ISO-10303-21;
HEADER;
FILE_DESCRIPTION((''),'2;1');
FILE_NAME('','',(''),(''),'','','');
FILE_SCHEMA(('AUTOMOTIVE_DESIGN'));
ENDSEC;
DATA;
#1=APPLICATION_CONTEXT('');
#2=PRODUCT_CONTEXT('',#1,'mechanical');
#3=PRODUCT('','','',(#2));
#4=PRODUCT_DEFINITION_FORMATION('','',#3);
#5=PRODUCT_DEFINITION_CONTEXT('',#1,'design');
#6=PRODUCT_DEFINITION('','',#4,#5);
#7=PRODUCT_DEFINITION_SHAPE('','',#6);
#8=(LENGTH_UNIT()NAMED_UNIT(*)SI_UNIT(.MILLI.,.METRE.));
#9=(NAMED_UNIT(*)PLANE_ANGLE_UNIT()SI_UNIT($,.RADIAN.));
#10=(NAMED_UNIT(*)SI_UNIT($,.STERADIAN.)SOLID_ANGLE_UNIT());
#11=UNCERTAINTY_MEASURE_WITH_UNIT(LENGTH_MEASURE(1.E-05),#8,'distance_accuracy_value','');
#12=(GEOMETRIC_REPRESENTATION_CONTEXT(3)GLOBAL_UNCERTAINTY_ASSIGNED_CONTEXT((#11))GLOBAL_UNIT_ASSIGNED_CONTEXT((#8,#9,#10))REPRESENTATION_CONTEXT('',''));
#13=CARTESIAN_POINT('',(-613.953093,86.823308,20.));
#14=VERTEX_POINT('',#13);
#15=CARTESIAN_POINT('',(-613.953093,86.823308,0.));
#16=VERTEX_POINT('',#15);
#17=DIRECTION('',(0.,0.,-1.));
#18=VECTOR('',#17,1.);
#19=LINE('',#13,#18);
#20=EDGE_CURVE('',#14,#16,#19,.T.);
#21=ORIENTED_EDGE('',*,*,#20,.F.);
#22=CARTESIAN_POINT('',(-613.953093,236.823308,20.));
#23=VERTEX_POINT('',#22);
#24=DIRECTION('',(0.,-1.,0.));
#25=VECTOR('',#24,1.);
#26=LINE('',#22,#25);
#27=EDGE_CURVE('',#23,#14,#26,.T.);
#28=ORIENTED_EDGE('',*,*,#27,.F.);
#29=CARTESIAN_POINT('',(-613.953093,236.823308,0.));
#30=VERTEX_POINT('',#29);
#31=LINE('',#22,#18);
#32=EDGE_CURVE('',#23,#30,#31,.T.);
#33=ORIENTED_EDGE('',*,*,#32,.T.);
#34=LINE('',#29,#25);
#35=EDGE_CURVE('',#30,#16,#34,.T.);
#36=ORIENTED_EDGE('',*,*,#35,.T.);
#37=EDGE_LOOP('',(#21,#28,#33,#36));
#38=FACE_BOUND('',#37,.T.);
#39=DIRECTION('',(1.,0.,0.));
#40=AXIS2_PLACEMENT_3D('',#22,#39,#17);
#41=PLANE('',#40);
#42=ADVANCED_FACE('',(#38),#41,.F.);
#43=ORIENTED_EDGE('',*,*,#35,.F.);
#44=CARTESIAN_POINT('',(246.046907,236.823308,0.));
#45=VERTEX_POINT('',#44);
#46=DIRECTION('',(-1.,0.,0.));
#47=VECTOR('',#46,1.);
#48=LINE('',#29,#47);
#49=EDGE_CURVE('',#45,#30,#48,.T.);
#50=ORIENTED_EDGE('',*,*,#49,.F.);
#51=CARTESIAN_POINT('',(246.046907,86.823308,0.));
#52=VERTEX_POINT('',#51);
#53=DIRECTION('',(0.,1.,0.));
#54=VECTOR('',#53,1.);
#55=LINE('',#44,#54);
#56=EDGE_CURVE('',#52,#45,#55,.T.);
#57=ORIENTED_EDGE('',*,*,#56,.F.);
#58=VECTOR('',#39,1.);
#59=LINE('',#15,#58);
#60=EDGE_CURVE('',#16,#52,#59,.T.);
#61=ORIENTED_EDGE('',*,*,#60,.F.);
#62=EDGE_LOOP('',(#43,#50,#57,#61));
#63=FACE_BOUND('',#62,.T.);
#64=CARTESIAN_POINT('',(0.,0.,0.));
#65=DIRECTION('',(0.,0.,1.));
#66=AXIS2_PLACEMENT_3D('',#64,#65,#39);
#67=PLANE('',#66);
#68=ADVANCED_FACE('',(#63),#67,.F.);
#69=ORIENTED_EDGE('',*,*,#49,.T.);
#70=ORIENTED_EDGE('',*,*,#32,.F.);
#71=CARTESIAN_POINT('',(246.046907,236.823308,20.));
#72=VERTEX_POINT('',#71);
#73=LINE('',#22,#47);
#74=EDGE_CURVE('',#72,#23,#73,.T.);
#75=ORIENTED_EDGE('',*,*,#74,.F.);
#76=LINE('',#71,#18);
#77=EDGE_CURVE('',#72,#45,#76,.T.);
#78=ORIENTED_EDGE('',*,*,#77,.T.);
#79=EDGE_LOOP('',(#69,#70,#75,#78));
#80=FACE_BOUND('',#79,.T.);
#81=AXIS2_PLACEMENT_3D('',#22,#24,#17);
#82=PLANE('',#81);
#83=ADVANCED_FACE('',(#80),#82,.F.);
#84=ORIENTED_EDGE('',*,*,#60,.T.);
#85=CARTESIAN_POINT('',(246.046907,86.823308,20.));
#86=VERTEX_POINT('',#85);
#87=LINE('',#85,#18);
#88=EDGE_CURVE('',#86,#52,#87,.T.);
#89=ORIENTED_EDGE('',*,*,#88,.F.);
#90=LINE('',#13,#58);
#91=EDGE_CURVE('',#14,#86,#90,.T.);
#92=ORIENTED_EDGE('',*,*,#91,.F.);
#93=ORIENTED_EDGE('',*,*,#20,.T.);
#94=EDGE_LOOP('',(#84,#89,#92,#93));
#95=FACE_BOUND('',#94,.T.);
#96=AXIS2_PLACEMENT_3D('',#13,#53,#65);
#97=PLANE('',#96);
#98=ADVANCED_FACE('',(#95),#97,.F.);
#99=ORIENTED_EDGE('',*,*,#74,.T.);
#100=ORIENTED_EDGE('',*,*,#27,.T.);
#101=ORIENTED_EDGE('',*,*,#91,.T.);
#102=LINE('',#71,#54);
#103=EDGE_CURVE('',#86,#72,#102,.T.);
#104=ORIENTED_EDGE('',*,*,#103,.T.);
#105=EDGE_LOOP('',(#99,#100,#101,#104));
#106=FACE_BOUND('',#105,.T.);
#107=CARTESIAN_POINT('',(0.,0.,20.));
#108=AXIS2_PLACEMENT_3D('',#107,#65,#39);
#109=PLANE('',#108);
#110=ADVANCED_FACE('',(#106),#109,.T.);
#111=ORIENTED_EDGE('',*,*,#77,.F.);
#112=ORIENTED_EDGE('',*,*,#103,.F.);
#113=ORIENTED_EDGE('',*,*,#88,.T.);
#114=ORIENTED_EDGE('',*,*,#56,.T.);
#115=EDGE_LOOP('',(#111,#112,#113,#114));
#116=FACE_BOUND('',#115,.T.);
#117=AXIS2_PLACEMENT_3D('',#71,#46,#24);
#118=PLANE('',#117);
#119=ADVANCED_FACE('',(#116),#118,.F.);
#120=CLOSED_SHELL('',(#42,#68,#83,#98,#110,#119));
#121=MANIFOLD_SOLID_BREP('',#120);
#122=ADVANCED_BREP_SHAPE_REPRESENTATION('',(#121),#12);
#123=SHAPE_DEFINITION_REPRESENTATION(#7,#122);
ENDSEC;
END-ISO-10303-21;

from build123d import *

# Parameters (mm, degrees)
CROQUIS1_W              = 860
CROQUIS1_H              = 150
SALIENTE_EXTRUIR1_DEPTH = 20


with BuildPart() as part:
    # Croquis1 → Saliente-Extruir1 (new body)
    with BuildSketch(Plane.XY):
        with Locations((-183.953092608, 161.823308271)):
            Rectangle(CROQUIS1_W, CROQUIS1_H)
    extrude(amount=SALIENTE_EXTRUIR1_DEPTH)


solid = part.part
